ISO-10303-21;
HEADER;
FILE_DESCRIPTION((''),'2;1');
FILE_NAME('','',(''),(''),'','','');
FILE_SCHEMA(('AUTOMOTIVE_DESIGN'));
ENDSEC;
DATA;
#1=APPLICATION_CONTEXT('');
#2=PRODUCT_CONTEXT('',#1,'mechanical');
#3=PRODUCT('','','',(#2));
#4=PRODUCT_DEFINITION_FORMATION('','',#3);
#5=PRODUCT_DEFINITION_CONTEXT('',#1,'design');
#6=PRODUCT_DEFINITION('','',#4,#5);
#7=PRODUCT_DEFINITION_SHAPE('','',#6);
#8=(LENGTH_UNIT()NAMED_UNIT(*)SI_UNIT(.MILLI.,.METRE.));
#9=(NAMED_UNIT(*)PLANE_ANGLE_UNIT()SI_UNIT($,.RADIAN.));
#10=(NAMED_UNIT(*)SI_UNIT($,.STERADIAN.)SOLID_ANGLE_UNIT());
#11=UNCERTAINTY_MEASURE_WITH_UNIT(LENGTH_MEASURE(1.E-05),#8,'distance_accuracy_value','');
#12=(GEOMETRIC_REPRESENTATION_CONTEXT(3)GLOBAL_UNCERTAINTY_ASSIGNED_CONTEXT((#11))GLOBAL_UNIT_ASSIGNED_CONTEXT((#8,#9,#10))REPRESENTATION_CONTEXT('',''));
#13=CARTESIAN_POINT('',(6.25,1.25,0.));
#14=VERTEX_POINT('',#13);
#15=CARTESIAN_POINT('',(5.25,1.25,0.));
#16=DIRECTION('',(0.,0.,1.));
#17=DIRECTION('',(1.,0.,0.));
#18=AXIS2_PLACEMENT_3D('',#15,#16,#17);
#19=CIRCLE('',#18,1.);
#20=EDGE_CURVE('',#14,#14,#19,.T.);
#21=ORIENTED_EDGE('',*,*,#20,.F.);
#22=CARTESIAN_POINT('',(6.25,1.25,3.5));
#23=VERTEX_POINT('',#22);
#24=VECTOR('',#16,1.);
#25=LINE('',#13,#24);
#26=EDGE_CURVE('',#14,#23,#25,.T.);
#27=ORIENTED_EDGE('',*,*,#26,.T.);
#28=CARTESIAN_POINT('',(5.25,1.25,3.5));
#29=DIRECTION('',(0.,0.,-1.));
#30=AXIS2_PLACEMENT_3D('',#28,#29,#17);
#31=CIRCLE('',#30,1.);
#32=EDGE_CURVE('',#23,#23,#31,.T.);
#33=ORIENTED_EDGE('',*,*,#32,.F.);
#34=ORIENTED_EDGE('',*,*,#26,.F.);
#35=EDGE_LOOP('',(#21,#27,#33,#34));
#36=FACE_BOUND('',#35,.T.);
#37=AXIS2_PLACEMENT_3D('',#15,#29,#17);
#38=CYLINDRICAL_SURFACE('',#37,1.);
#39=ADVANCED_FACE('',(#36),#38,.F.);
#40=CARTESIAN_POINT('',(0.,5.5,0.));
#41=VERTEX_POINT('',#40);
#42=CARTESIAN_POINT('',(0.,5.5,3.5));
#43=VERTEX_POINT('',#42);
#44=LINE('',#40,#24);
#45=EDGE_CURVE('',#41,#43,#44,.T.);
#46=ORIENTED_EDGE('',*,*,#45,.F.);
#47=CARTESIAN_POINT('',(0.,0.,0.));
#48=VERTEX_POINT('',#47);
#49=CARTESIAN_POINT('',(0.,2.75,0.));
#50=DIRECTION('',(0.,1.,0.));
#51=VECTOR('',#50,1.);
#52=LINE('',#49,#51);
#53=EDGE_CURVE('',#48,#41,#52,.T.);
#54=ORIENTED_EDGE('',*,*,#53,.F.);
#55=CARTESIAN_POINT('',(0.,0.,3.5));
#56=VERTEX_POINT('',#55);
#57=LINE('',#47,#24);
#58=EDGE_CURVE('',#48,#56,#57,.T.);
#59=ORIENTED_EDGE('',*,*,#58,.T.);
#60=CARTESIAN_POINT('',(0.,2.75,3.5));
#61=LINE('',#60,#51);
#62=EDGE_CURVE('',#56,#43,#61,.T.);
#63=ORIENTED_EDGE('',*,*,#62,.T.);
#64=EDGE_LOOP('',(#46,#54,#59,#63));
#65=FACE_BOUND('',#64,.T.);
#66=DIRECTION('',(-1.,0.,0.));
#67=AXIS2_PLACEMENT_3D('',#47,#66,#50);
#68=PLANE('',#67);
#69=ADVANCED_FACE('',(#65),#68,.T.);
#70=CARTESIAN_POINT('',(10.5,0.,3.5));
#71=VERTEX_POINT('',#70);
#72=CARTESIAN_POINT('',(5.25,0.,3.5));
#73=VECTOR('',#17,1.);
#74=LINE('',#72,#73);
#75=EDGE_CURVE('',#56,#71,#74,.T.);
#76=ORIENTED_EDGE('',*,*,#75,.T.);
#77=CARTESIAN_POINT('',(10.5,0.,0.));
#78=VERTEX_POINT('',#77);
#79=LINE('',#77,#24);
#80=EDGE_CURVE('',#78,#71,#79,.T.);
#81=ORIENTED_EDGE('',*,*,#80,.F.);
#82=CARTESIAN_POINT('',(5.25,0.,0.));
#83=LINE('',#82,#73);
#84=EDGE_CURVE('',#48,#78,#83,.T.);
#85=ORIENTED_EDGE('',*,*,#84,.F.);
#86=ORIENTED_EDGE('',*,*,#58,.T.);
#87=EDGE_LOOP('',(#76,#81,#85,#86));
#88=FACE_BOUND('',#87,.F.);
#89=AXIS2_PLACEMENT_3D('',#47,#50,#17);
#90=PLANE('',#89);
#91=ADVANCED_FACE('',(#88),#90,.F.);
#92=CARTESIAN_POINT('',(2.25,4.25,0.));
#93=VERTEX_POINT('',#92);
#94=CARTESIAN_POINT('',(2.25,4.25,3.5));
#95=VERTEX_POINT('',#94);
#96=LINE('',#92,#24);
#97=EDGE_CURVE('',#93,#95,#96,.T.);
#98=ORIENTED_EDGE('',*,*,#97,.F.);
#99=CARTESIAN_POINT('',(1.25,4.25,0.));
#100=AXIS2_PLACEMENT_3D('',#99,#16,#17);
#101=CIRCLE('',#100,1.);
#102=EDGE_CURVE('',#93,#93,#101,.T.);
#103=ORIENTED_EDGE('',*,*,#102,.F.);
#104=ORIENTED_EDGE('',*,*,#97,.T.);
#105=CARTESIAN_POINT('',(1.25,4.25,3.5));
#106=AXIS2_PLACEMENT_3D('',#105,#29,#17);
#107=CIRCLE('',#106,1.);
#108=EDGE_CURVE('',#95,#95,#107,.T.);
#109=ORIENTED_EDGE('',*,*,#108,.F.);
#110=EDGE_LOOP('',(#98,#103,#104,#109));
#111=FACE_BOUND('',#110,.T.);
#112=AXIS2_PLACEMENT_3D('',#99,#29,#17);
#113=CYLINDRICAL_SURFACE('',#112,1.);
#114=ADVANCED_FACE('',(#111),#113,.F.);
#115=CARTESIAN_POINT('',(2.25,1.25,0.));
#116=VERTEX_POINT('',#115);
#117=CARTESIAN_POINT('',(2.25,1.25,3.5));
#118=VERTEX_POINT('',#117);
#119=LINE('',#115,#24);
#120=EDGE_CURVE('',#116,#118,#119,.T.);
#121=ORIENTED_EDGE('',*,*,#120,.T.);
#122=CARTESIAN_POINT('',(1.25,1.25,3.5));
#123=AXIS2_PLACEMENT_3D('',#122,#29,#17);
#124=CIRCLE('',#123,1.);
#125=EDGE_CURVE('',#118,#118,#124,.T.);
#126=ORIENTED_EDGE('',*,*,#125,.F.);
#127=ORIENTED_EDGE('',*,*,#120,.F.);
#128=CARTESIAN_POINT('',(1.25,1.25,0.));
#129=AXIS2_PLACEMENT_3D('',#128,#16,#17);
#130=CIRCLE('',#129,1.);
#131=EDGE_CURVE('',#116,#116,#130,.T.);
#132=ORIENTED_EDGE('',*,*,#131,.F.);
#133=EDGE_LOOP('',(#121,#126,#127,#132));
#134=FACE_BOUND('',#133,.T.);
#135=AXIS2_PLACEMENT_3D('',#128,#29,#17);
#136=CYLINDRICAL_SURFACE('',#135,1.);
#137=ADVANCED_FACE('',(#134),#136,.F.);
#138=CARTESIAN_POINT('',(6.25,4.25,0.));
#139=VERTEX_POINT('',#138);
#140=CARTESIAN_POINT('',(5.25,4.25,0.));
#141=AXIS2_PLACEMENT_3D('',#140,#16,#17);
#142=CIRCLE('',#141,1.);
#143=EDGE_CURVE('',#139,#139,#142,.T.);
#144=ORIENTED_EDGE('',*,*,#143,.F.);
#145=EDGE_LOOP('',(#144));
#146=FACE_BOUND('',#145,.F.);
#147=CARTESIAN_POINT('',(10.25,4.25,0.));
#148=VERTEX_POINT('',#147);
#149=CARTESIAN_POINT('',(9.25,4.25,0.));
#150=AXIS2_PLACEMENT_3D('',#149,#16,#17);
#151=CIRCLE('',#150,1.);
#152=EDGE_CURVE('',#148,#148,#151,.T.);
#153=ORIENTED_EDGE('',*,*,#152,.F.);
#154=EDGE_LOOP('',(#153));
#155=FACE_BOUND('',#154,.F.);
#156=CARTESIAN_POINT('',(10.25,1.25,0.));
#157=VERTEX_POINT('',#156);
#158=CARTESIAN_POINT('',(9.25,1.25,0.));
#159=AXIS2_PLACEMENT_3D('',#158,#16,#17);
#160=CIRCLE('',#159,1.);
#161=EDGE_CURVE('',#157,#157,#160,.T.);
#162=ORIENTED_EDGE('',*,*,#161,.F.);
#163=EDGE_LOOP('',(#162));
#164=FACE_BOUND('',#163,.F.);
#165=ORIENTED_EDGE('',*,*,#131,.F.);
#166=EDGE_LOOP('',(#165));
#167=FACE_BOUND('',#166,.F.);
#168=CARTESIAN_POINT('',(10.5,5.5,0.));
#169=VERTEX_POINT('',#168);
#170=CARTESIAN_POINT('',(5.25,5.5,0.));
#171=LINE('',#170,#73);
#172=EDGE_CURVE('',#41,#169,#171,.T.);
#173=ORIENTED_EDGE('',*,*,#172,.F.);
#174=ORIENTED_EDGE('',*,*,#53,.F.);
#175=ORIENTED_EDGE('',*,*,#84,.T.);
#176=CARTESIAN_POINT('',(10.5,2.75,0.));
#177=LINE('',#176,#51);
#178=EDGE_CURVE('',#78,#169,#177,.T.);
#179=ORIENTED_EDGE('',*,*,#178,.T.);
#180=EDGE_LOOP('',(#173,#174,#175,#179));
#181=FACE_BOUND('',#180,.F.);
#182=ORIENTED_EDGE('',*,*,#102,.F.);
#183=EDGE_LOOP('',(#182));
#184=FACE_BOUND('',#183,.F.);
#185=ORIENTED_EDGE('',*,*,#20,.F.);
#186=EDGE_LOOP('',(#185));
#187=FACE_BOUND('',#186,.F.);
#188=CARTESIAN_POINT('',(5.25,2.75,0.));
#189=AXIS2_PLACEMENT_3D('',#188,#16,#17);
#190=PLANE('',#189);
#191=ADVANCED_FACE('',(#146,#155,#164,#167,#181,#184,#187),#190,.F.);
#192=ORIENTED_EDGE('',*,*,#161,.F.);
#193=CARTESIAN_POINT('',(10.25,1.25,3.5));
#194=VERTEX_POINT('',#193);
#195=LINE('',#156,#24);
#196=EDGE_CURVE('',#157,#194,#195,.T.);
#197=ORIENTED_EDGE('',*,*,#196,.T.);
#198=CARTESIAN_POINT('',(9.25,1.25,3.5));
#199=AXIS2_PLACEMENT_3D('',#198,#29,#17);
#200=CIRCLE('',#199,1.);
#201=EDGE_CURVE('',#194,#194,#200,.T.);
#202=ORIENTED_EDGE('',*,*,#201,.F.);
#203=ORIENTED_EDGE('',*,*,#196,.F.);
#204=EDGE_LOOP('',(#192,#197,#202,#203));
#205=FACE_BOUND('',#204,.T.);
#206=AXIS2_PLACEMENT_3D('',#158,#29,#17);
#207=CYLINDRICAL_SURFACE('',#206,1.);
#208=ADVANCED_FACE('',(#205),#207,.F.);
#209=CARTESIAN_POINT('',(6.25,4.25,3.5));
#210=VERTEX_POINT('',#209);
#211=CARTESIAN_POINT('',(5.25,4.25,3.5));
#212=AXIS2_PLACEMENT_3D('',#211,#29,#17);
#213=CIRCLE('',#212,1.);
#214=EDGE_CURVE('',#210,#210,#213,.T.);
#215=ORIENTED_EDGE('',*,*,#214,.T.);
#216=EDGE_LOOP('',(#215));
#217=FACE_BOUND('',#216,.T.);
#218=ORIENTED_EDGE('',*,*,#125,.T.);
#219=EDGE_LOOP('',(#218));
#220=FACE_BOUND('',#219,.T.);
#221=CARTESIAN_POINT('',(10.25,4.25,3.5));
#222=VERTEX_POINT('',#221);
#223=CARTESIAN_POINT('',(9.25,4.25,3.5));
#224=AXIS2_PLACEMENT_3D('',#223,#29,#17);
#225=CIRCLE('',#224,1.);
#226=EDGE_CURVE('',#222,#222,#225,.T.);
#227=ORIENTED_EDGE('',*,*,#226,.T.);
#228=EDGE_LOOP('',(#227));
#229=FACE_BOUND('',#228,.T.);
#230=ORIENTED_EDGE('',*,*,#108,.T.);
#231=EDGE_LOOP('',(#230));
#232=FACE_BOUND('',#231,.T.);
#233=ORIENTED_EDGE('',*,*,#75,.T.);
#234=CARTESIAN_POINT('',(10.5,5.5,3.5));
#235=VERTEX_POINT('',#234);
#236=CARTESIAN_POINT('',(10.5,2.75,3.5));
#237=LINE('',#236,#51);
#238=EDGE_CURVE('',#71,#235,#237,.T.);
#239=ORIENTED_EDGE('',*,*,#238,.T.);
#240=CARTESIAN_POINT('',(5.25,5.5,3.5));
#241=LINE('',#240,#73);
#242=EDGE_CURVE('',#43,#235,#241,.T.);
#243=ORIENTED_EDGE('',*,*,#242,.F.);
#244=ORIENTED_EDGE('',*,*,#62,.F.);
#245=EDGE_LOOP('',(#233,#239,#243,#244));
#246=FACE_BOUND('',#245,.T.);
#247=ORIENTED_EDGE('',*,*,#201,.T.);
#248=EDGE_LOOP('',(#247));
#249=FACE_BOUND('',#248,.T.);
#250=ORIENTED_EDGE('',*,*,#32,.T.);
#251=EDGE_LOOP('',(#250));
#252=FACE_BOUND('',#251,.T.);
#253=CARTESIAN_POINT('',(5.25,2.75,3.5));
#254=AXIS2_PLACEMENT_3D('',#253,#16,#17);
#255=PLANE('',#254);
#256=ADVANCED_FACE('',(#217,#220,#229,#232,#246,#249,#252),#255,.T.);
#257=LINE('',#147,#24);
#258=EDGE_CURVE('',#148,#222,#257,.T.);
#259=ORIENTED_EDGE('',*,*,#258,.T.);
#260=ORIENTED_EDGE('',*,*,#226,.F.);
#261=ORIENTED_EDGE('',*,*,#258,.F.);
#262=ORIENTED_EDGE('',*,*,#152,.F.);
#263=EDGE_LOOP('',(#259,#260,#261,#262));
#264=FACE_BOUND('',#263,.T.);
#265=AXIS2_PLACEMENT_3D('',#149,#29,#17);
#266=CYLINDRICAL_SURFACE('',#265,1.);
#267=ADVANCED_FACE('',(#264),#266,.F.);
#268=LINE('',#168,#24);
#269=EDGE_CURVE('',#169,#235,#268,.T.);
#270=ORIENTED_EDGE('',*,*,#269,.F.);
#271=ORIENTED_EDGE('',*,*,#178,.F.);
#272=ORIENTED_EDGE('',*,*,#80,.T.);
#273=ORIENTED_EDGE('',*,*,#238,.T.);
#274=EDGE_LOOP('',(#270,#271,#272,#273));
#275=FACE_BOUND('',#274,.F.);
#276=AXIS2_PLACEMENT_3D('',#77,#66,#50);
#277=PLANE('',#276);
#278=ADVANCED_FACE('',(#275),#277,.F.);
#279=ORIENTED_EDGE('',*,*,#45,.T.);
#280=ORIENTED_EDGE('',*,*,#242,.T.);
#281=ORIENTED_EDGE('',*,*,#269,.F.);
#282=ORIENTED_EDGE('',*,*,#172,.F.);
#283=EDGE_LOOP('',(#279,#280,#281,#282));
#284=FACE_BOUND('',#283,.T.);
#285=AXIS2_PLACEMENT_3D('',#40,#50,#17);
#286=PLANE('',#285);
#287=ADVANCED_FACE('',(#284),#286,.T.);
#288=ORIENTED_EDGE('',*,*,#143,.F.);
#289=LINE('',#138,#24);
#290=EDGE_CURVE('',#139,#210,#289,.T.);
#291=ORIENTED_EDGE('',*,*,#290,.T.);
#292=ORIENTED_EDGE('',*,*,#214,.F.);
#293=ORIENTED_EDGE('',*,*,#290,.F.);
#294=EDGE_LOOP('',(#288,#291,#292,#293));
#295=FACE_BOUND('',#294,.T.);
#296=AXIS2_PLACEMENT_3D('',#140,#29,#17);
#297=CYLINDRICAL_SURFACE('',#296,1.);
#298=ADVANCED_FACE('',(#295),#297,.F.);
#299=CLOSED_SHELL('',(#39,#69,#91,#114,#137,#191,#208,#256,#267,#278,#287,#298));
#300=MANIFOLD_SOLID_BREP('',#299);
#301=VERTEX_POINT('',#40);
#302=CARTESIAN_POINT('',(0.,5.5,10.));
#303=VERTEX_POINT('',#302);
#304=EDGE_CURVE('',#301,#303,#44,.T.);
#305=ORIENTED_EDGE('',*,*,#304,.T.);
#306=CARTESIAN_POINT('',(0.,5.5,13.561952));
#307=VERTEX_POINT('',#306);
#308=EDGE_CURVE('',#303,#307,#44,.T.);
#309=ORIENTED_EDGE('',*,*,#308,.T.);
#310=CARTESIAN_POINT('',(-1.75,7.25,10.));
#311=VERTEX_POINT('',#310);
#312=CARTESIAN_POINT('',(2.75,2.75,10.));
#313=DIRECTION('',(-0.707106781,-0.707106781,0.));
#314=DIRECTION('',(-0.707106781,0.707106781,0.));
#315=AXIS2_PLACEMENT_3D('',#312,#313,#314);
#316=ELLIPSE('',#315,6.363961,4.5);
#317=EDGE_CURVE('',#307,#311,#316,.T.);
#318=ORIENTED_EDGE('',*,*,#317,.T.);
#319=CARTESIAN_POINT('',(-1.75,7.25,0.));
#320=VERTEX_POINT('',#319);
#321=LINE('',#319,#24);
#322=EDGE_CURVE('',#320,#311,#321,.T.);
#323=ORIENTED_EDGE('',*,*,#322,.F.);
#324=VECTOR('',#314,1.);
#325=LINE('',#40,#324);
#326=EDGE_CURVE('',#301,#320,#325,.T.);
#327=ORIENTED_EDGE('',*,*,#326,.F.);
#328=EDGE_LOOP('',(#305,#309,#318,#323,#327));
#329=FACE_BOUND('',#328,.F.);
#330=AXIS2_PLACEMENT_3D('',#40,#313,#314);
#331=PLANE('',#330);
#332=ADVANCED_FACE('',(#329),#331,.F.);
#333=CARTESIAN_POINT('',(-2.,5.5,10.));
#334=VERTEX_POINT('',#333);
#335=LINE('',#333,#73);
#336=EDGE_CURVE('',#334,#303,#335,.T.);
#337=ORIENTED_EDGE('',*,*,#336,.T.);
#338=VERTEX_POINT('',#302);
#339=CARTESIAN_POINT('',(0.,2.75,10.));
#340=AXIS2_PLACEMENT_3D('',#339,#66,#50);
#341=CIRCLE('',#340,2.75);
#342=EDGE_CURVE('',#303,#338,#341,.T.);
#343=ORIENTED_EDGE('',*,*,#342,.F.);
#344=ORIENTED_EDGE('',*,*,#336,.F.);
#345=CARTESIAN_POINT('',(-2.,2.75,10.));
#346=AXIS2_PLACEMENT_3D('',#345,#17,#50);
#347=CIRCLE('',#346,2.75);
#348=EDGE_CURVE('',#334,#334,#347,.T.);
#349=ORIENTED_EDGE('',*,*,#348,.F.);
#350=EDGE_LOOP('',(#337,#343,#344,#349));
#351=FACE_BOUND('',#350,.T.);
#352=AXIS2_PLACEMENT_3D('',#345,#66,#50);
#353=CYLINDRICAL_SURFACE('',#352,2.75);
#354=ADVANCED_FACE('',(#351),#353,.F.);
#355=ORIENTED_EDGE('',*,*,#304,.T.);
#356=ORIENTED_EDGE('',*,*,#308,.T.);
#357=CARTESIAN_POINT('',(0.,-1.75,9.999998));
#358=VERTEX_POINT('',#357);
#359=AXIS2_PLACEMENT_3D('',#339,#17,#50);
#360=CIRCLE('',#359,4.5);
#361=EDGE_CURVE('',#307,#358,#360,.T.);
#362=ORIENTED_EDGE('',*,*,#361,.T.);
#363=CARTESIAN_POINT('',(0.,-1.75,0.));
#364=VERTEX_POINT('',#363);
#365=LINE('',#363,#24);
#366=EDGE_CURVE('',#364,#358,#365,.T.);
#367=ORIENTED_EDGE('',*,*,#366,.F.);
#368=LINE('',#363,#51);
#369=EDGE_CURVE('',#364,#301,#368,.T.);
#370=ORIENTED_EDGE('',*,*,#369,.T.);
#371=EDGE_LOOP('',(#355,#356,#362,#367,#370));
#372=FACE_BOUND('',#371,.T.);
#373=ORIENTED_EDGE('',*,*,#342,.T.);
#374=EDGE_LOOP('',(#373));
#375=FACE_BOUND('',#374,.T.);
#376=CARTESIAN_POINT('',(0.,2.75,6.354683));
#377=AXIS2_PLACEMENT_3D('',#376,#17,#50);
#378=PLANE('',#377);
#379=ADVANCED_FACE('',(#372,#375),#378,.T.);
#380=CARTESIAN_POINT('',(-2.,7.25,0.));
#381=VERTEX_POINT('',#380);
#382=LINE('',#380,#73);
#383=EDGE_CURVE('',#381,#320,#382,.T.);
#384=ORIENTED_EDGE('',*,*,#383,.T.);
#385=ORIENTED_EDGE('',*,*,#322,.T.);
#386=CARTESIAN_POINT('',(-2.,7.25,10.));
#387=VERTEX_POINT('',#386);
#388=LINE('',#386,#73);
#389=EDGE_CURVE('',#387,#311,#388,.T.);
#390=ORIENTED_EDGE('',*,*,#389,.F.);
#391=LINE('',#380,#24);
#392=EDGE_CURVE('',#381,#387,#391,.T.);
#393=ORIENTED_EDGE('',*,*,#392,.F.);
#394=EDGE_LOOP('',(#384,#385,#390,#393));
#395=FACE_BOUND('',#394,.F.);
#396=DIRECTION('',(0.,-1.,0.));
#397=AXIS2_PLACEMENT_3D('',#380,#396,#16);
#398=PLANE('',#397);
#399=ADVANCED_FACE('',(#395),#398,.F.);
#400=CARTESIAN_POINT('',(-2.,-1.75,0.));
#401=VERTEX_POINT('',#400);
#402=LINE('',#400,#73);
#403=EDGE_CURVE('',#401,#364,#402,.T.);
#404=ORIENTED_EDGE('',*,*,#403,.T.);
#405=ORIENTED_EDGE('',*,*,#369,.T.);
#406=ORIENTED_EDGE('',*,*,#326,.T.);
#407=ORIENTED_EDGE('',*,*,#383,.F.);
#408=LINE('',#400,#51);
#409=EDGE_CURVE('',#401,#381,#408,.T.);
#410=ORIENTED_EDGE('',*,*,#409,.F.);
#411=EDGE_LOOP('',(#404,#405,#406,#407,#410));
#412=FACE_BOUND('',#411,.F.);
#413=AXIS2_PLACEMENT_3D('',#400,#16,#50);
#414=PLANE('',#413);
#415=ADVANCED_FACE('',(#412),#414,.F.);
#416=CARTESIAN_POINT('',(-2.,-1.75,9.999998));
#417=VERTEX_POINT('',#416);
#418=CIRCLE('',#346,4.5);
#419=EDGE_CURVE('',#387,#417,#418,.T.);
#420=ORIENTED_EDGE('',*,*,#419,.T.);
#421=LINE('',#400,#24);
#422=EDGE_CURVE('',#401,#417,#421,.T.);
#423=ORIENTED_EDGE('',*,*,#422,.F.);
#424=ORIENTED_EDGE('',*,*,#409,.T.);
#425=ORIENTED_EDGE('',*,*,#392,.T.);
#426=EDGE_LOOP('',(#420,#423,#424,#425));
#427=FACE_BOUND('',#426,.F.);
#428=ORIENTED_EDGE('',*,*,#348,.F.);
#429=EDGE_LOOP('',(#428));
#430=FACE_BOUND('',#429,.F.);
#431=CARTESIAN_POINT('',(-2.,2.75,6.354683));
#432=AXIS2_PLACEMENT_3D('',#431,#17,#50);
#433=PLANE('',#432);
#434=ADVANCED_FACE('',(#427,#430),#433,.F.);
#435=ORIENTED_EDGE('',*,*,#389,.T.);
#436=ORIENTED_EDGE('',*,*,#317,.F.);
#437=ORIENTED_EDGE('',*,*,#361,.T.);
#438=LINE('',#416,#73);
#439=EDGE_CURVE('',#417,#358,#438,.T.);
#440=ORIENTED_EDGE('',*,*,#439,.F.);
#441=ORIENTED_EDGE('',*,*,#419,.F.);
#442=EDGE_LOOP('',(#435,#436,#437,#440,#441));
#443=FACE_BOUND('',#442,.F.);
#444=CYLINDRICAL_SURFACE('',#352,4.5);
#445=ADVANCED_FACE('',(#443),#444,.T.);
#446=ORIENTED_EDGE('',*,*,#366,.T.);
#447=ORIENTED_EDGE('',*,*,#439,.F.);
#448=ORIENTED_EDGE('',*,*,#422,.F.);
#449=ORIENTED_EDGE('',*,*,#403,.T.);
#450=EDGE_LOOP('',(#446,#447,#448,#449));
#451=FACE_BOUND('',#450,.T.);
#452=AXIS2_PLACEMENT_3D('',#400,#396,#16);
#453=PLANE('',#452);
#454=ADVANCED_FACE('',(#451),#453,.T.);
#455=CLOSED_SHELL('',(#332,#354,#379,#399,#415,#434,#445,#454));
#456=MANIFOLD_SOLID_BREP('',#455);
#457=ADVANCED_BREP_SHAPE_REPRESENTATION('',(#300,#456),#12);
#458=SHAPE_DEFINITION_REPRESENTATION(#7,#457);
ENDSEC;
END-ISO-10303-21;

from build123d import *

# Parameters (mm, degrees)
SKETCH003_R      = 1
EXTRUDE002_DEPTH = 4
SKETCH002_R      = 1
EXTRUDE003_DEPTH = 4
SKETCH001_R      = 1
EXTRUDE001_DEPTH = 4
SKETCH_W         = 10.5
SKETCH_H         = 5.5
EXTRUDE_DEPTH    = 3.5
SKETCH006_R      = 2.75
EXTRUDE006_DEPTH = 5
EXTRUDE005_DEPTH = 15
EXTRUDE004_DEPTH = 2


with BuildPart() as extrude002:
    # Sketch003 → Extrude002 (new body)
    with BuildSketch(Plane(origin=(8.25, 0.25, 0), x_dir=(1, 0, 0), z_dir=(0, 0, 1))):
        with Locations((1, 1)):
            Circle(SKETCH003_R)
        with Locations((1, 4)):
            Circle(SKETCH003_R)
    extrude(amount=EXTRUDE002_DEPTH)


with BuildPart() as extrude003:
    # Sketch002 → Extrude003 (new body)
    with BuildSketch(Plane(origin=(4.25, 0.25, 0), x_dir=(1, 0, 0), z_dir=(0, 0, 1))):
        with Locations((1, 1)):
            Circle(SKETCH002_R)
        with Locations((1, 4)):
            Circle(SKETCH002_R)
    extrude(amount=EXTRUDE003_DEPTH)


with BuildPart() as fusion:
    # Sketch001 → Extrude001 (new body)
    with BuildSketch(Plane(origin=(0.25, 0.25, 0), x_dir=(1, 0, 0), z_dir=(0, 0, 1))):
        with Locations((1, 1)):
            Circle(SKETCH001_R)
        with Locations((1, 4)):
            Circle(SKETCH001_R)
    extrude(amount=EXTRUDE001_DEPTH)

    # Fusion: union Extrude002, Extrude003
    add(extrude002.part)
    add(extrude003.part)


with BuildPart() as cut:
    # Sketch → Extrude (new body)
    with BuildSketch(Plane.XY):
        with Locations((5.25, 2.75)):
            Rectangle(SKETCH_W, SKETCH_H)
    extrude(amount=EXTRUDE_DEPTH)

    # Cut: cut Fusion
    add(fusion.part, mode=Mode.SUBTRACT)


with BuildPart() as extrude006:
    # Sketch006 → Extrude006 (new body)
    with BuildSketch(Plane.YZ.offset(-2)):
        with Locations((2.75, 10)):
            Circle(SKETCH006_R)
    extrude(amount=EXTRUDE006_DEPTH)


with BuildPart() as extrude005:
    # Sketch005 → Extrude005 (new body)
    with BuildSketch(Plane.XY):
        Polygon((0, 5.5), (-1.75, 7.25), (0, 7.25), align=None)
    extrude(amount=EXTRUDE005_DEPTH)


with BuildPart() as cut002:
    # Sketch004 → Extrude004 (new body)
    with BuildSketch(Plane.YZ.offset(-2)):
        with BuildLine():
            Line((-1.75, 0), (7.25, 0))
            Line((7.25, 0), (7.25, 10))
            ThreePointArc((7.25, 10), (2.749999, 14.5), (-1.75, 9.999998))
            Line((-1.75, 0), (-1.75, 9.999998))
        make_face()
    extrude(amount=EXTRUDE004_DEPTH)

    # Cut001: cut Extrude005
    add(extrude005.part, mode=Mode.SUBTRACT)

    # Cut002: cut Extrude006
    add(extrude006.part, mode=Mode.SUBTRACT)


solid = Compound([cut.part, cut002.part])
